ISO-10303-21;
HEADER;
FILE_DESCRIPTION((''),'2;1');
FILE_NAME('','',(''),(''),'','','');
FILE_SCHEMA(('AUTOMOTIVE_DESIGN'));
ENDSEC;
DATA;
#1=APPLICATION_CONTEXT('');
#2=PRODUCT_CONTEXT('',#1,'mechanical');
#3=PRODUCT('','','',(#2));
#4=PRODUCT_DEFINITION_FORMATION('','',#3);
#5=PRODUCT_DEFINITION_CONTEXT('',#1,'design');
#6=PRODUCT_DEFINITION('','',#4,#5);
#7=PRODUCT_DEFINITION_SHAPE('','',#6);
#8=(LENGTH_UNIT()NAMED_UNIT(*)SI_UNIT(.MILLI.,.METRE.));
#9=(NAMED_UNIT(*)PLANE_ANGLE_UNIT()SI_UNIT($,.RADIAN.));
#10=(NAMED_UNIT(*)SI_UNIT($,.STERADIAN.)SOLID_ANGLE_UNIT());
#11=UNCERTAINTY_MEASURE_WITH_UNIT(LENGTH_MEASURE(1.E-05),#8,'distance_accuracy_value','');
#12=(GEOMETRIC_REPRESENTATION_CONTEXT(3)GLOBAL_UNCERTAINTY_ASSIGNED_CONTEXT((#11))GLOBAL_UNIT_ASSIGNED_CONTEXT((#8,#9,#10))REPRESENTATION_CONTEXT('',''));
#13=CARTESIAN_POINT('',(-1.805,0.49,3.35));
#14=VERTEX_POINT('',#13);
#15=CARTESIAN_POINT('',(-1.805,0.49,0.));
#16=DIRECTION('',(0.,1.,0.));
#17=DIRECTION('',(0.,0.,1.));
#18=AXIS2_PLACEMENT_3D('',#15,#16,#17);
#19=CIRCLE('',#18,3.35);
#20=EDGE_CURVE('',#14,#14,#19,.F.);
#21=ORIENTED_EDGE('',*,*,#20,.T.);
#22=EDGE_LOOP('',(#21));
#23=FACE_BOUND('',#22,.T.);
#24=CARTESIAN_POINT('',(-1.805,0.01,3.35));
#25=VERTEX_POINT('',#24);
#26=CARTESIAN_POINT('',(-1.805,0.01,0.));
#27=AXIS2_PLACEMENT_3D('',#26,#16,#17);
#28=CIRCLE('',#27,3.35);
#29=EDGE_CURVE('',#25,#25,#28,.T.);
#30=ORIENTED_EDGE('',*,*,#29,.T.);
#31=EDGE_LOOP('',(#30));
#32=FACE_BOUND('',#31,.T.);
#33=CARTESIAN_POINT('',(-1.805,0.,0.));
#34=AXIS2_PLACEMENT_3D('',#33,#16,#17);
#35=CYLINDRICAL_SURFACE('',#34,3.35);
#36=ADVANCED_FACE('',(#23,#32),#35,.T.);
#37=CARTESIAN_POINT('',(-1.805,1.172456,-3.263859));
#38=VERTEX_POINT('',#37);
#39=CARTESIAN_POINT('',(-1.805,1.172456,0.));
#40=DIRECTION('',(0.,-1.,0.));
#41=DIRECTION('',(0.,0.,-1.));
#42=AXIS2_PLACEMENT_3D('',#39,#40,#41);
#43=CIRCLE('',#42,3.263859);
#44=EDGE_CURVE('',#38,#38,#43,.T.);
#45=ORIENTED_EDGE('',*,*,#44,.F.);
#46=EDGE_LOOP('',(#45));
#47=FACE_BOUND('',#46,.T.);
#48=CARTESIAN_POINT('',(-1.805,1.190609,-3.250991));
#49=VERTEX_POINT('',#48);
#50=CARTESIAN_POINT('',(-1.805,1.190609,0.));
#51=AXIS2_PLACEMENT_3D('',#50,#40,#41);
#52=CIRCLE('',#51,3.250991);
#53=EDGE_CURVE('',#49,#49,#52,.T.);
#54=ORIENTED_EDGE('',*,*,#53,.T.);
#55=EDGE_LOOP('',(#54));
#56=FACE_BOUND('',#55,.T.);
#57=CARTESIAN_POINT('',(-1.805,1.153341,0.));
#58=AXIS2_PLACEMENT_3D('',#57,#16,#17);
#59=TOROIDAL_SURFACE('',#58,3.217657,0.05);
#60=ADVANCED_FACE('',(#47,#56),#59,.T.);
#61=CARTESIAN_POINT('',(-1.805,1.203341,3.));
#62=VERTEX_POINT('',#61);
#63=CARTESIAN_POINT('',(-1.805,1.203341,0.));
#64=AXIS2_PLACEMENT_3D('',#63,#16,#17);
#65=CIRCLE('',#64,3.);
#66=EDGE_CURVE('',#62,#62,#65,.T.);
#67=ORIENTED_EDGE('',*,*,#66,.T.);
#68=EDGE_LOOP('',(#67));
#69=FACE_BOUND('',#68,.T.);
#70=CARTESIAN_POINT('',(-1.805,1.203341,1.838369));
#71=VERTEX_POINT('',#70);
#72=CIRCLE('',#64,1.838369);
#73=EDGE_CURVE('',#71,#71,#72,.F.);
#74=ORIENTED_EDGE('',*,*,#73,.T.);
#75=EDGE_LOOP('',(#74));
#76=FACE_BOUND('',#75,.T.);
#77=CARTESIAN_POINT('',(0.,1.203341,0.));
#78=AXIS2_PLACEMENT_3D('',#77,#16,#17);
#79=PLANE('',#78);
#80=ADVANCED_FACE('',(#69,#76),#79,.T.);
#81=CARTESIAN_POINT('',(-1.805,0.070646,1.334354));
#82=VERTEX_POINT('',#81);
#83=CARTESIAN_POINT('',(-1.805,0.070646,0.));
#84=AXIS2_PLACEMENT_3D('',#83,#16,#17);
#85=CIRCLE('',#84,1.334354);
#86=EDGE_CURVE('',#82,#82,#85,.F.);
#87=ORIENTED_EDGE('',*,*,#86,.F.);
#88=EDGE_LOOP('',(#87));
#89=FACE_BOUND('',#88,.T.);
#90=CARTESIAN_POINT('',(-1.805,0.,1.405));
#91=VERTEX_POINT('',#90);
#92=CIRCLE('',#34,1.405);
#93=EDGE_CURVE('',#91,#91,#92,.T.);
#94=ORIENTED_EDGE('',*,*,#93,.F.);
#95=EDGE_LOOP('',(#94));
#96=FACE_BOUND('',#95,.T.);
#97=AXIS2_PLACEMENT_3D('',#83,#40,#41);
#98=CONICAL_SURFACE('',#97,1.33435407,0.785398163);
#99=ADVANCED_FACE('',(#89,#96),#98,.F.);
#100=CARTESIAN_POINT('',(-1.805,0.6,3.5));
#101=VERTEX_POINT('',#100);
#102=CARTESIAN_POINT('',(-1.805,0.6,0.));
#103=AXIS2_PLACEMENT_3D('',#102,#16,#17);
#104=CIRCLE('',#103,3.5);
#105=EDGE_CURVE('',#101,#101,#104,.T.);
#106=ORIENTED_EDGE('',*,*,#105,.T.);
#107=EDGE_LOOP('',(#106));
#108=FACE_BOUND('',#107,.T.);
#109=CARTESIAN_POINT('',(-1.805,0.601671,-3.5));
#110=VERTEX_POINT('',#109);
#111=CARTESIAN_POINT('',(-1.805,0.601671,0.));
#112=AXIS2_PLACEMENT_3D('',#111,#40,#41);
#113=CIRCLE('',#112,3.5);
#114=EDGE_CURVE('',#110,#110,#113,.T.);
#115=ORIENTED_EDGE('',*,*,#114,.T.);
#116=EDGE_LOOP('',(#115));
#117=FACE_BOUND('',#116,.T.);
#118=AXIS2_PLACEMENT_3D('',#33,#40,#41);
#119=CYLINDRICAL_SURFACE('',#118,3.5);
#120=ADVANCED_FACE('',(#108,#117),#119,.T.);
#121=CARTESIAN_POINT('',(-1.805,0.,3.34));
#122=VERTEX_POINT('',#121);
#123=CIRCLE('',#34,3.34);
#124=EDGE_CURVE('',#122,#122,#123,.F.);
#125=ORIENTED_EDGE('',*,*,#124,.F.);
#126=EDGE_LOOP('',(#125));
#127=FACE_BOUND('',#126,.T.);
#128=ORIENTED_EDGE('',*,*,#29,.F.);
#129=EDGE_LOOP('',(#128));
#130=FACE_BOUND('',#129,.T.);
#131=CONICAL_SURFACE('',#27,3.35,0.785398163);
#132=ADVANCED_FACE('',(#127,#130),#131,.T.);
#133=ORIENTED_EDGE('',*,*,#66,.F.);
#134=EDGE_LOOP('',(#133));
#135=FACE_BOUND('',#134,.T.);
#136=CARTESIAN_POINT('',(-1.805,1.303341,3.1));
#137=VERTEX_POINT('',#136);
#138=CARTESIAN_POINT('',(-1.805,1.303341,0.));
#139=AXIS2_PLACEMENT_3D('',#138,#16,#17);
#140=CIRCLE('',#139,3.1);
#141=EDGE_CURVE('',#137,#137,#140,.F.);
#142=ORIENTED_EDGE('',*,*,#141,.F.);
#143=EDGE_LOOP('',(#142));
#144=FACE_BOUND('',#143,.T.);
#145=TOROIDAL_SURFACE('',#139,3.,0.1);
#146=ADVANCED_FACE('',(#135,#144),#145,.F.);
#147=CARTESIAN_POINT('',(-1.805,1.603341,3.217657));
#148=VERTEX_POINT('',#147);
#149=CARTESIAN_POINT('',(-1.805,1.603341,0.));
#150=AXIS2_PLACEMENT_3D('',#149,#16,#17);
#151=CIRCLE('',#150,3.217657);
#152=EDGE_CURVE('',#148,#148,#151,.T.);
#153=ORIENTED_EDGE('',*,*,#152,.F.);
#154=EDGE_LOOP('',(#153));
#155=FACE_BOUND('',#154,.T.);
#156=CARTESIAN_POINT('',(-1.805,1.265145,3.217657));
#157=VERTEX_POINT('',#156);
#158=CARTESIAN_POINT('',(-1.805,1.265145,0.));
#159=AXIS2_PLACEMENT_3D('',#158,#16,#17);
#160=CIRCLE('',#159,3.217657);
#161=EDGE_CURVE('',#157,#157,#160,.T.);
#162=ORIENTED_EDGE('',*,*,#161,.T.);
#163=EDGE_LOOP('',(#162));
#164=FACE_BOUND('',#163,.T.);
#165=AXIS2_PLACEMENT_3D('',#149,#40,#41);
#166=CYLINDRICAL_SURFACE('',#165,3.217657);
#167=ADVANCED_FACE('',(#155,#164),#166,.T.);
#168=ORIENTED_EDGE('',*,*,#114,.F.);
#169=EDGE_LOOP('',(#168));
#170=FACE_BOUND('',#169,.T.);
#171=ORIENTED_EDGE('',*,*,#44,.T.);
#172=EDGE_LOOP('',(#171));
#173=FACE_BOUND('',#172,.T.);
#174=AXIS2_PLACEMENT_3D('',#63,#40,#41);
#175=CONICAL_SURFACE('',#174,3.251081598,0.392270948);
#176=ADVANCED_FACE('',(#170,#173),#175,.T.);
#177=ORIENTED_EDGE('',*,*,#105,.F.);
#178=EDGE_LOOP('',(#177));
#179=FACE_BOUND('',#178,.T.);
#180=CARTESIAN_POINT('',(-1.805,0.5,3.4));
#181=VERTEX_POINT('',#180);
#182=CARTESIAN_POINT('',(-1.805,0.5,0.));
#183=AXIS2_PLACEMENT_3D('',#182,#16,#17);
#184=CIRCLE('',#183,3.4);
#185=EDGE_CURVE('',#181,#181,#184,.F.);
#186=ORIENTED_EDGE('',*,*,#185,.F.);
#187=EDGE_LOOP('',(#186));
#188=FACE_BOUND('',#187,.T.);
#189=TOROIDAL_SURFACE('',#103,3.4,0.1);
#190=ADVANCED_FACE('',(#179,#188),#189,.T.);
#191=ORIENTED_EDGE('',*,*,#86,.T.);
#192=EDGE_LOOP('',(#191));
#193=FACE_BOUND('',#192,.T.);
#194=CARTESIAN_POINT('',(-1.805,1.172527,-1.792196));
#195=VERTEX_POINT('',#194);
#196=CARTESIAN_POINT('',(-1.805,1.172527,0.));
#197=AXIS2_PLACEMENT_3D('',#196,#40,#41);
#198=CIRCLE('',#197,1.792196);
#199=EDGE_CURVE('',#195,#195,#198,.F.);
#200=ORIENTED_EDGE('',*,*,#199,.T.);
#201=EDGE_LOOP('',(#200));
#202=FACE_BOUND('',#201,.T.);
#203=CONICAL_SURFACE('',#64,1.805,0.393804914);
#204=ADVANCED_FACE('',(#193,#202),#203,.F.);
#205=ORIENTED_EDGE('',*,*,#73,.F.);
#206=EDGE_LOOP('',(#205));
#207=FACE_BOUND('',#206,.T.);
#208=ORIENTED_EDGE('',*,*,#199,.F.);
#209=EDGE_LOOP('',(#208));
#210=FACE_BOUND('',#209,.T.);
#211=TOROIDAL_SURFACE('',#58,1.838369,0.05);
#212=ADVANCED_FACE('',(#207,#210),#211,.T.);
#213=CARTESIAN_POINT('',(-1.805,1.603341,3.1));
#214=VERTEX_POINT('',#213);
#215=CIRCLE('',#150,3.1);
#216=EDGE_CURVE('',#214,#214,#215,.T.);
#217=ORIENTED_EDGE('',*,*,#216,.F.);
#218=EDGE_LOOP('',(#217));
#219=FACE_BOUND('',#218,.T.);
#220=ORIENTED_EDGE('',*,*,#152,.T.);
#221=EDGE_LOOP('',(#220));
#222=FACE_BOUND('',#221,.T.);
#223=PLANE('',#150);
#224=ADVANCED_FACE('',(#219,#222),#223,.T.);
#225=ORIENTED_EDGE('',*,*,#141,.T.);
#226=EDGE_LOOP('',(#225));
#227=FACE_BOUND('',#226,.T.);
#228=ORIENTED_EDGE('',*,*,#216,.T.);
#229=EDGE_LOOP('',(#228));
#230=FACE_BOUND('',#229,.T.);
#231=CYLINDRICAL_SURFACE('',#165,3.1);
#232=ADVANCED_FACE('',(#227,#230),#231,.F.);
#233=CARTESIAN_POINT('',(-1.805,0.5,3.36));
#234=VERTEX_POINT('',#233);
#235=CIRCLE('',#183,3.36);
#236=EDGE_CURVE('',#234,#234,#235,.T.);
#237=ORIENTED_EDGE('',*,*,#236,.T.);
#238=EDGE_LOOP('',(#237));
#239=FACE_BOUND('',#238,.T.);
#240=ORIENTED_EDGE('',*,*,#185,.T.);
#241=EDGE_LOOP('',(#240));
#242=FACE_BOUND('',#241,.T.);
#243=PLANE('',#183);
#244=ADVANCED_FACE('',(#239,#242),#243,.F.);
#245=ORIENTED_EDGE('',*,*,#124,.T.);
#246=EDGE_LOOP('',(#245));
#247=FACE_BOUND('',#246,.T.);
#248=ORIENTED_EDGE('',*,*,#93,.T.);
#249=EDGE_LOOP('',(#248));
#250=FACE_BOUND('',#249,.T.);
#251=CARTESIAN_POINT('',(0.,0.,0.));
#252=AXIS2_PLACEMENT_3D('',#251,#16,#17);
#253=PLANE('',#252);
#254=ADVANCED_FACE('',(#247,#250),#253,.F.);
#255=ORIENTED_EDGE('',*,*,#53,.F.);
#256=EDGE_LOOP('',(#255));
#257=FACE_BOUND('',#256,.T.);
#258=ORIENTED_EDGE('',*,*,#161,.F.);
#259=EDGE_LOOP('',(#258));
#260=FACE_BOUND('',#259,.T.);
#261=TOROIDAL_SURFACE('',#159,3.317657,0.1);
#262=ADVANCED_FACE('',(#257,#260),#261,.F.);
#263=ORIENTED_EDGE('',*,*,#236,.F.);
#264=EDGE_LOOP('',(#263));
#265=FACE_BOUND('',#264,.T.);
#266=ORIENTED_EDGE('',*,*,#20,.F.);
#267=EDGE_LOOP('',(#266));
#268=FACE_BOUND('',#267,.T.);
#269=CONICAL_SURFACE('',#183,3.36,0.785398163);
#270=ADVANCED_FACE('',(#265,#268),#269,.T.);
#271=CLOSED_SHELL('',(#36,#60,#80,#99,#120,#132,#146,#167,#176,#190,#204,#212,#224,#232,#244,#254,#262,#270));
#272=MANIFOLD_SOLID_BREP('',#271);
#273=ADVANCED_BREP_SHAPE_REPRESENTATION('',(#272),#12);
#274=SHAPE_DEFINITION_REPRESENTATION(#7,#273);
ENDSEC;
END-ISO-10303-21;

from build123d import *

# Parameters (mm, degrees)
FILLET_2_R          = 0.05
SKETCH_6_R          = 3.217657182
SKETCH_6_R_2        = 3.1
EXTRUDE_1_DEPTH     = 0.4
FILLET_4_R          = 0.1
CHAMFER_1_SIZE      = 0.1
CHAMFER_1_SIZE2     = 0.076501692
SKETCH_7_R          = 3.5
SKETCH_7_R_2        = 3.35
CUT_EXTRUDE_3_DEPTH = 0.5
CHAMFER_2_SIZE      = 0.01
FILLET_6_R          = 0.1


with BuildPart() as part:
    # 草图2 → 旋转1 (revolve)
    with BuildSketch(Plane.XY, mode=Mode.PRIVATE) as revolve_1_sk:
        Polygon((-0.5, 0), (0, 0), (1.695, 0), (1.695, 0.601670643), (1.446081598, 1.203341286), (0, 1.203341286), align=None)
    revolve(revolve_1_sk.sketch.rotate(Axis((-1.805, 0, 0), (0, 1, 0)), 90), axis=Axis((-1.805, 0, 0), (0, 1, 0)))

    # 圆角2
    fillet_2_edges = [part.edges().sort_by_distance(p)[0] for p in [
        (-1.805, 1.203341286, 1.805),
        (-1.805, 1.203341286, 3.251081598),
    ]]
    fillet(fillet_2_edges, radius=FILLET_2_R)

    # 草图6 → 凸台-拉伸1 (add)
    with BuildSketch(Plane(origin=(0, 1.203341286, 0), x_dir=(1, 0, 0), z_dir=(0, 1, 0))):
        with Locations(Location((-1.805, 0, 0), (0, 0, 270))):
            Circle(SKETCH_6_R)
        with Locations(Location((-1.805, 0, 0), (0, 0, 270))):
            Circle(SKETCH_6_R_2, mode=Mode.SUBTRACT)
    extrude(amount=EXTRUDE_1_DEPTH)

    # 圆角4
    fillet_4_edges = [part.edges().sort_by_distance(p)[0] for p in [
        (-5.022657182, 1.203341286, 0),
        (-1.805, 1.203341286, -3.1),
    ]]
    fillet(fillet_4_edges, radius=FILLET_4_R)

    # 倒角1
    chamfer_1_edges = [part.edges().sort_by_distance(p)[0] for p in [
        (-1.805, 0, 1.305),
    ]]
    chamfer_1_side = [part.faces().sort_by_distance(p)[0] for p in [
        (-1.805, 0, 1.403994949),
    ]]
    chamfer(chamfer_1_edges, length=CHAMFER_1_SIZE, length2=CHAMFER_1_SIZE2, reference=chamfer_1_side[0])

    # 草图7 → 切除-拉伸3 (cut)
    with BuildSketch(Plane(origin=(0, 0.5, 0), x_dir=(1, 0, 0), z_dir=(0, 1, 0))):
        with Locations(Location((-1.805, 0, 0), (0, 0, 90))):
            Circle(SKETCH_7_R)
        with Locations(Location((-1.805, 0, 0), (0, 0, 270))):
            Circle(SKETCH_7_R_2, mode=Mode.SUBTRACT)
    extrude(amount=-CUT_EXTRUDE_3_DEPTH, mode=Mode.SUBTRACT)

    # 倒角2
    chamfer_2_edges = [part.edges().sort_by_distance(p)[0] for p in [
        (-1.805, 0, -3.35),
        (-1.805, 0.5, -3.35),
    ]]
    chamfer(chamfer_2_edges, length=CHAMFER_2_SIZE)

    # 圆角6
    fillet_6_edges = [part.edges().sort_by_distance(p)[0] for p in [
        (-1.805, 0.5, 3.5),
    ]]
    fillet(fillet_6_edges, radius=FILLET_6_R)


solid = part.part
